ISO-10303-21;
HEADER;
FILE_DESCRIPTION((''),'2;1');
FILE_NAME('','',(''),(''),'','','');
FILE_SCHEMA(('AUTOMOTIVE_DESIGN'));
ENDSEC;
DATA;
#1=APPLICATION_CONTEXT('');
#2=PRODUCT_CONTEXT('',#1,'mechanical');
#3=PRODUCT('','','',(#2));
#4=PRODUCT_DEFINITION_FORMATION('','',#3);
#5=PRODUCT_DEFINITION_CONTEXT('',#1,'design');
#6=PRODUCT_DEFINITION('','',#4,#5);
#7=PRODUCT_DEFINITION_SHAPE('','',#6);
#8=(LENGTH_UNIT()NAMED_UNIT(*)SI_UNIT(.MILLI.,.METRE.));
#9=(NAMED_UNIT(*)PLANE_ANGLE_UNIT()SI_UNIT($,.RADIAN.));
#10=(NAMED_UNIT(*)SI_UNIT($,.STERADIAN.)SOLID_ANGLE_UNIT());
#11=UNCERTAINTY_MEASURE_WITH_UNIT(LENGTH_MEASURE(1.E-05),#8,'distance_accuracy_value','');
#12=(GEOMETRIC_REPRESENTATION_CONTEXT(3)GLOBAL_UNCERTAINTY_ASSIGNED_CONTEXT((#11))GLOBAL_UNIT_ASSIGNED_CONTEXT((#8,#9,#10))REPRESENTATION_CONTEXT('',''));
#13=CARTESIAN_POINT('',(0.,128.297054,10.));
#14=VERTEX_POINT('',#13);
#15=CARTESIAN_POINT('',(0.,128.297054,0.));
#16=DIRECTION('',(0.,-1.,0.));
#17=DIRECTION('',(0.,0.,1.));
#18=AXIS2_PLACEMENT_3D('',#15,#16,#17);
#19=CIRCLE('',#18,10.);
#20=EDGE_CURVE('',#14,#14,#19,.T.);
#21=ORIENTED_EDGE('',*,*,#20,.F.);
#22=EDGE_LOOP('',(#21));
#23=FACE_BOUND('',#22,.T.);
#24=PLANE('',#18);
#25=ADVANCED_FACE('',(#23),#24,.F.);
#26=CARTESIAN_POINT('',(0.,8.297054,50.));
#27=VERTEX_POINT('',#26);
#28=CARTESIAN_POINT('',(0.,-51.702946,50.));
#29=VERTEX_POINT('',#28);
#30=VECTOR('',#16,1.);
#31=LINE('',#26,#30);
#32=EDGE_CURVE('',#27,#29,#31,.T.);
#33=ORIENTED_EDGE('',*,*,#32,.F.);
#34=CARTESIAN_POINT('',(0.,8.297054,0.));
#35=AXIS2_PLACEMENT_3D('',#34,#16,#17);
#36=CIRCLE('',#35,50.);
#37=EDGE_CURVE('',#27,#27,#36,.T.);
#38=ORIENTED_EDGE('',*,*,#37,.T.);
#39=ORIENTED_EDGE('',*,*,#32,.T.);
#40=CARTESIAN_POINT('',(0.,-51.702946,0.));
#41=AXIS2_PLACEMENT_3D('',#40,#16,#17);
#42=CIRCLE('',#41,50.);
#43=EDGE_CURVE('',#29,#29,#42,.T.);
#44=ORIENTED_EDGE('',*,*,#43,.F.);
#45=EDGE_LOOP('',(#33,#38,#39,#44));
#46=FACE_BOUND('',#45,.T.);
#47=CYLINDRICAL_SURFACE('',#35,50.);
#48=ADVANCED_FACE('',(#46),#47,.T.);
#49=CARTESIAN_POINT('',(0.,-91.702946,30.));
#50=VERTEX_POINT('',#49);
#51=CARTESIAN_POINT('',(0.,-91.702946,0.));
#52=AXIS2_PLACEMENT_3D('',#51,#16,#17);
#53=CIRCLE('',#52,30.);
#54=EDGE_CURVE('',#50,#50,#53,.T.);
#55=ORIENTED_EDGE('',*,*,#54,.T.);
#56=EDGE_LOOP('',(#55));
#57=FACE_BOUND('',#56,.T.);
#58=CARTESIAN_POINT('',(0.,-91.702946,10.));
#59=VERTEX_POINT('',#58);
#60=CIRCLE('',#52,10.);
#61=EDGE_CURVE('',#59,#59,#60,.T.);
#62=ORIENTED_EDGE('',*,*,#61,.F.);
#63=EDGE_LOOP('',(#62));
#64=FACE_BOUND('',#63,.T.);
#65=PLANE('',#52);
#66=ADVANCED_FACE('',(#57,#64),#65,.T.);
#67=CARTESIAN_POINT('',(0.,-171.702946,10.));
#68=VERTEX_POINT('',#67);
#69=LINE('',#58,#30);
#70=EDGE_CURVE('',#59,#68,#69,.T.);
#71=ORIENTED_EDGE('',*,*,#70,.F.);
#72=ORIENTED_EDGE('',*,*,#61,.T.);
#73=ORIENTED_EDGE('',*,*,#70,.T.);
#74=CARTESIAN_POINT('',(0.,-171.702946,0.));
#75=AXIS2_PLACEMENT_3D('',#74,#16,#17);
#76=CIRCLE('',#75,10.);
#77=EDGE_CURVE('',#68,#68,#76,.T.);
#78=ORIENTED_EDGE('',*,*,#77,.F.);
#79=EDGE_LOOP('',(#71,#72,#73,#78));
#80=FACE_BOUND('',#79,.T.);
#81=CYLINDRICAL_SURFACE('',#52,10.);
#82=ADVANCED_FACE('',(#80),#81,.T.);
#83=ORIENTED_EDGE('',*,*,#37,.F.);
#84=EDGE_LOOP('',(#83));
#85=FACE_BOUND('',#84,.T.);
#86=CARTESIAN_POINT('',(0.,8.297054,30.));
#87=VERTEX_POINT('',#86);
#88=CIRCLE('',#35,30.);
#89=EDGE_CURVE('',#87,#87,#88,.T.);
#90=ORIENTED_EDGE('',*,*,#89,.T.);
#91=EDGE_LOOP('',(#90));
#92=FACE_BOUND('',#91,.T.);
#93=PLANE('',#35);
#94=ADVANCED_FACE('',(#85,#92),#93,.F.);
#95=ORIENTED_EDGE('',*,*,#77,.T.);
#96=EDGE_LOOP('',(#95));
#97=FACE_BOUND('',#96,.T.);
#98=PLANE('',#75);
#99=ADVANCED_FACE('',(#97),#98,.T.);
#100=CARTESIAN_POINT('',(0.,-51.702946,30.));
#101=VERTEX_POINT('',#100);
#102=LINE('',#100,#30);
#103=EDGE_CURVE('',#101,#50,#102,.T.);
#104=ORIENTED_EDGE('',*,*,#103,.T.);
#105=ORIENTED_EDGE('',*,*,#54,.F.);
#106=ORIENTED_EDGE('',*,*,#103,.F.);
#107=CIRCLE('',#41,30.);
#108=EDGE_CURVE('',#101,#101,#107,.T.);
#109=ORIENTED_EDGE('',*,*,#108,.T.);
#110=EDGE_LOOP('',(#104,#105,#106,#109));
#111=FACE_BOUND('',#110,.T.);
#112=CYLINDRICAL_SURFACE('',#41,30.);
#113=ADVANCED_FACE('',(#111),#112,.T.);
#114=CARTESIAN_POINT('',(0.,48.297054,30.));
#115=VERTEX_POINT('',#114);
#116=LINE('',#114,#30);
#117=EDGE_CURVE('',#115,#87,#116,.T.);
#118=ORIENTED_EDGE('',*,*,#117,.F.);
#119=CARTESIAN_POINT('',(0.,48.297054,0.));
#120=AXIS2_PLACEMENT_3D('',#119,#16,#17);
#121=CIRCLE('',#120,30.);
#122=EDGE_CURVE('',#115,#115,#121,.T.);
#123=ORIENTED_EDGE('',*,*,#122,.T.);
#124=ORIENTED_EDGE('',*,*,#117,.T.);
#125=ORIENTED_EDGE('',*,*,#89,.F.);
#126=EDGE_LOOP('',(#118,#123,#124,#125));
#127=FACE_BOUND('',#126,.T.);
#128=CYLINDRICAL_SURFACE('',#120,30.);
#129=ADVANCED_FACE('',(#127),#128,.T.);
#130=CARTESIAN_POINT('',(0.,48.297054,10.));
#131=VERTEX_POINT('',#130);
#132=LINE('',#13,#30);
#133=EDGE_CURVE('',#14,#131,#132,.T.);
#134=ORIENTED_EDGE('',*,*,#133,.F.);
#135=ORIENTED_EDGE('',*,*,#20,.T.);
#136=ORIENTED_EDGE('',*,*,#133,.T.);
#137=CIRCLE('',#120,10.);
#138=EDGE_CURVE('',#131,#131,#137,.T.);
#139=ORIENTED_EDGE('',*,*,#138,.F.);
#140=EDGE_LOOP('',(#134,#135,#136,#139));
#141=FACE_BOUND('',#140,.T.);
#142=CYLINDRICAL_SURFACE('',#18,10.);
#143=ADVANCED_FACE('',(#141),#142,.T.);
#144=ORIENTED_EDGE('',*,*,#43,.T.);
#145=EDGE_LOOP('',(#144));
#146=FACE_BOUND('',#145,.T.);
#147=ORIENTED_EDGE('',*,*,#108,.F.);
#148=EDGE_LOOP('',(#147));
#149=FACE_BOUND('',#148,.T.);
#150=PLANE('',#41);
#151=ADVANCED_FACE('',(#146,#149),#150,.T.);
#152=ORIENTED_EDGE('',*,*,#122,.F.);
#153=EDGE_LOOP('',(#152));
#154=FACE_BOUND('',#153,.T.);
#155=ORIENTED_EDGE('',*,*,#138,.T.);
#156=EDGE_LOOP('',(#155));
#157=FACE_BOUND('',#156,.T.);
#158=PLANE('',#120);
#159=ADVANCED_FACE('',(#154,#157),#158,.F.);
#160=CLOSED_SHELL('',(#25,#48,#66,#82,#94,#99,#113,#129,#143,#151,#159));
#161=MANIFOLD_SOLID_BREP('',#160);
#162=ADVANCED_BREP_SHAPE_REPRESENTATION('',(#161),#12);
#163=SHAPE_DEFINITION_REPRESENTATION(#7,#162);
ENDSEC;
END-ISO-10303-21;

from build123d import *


with BuildPart() as part:
    # Sketch1 → Revolve2 (revolve)
    with BuildSketch(Plane.XY, mode=Mode.PRIVATE) as revolve2_sk:
        Polygon((10, 48.297053997), (30, 48.297053997), (30, 8.297053997), (50, 8.297053997), (50, -51.702946003), (30, -51.702946003), (30, -91.702946003), (10, -91.702946003), (10, -171.702946003), (0, -171.702946003), (0, 128.297053997), (10, 128.297053997), align=None)
    revolve(revolve2_sk.sketch.rotate(Axis((0, 128.297053997, 0), (0, -1, 0)), 90), axis=Axis((0, 128.297053997, 0), (0, -1, 0)))  # turned: the seam where the file's is


solid = part.part
